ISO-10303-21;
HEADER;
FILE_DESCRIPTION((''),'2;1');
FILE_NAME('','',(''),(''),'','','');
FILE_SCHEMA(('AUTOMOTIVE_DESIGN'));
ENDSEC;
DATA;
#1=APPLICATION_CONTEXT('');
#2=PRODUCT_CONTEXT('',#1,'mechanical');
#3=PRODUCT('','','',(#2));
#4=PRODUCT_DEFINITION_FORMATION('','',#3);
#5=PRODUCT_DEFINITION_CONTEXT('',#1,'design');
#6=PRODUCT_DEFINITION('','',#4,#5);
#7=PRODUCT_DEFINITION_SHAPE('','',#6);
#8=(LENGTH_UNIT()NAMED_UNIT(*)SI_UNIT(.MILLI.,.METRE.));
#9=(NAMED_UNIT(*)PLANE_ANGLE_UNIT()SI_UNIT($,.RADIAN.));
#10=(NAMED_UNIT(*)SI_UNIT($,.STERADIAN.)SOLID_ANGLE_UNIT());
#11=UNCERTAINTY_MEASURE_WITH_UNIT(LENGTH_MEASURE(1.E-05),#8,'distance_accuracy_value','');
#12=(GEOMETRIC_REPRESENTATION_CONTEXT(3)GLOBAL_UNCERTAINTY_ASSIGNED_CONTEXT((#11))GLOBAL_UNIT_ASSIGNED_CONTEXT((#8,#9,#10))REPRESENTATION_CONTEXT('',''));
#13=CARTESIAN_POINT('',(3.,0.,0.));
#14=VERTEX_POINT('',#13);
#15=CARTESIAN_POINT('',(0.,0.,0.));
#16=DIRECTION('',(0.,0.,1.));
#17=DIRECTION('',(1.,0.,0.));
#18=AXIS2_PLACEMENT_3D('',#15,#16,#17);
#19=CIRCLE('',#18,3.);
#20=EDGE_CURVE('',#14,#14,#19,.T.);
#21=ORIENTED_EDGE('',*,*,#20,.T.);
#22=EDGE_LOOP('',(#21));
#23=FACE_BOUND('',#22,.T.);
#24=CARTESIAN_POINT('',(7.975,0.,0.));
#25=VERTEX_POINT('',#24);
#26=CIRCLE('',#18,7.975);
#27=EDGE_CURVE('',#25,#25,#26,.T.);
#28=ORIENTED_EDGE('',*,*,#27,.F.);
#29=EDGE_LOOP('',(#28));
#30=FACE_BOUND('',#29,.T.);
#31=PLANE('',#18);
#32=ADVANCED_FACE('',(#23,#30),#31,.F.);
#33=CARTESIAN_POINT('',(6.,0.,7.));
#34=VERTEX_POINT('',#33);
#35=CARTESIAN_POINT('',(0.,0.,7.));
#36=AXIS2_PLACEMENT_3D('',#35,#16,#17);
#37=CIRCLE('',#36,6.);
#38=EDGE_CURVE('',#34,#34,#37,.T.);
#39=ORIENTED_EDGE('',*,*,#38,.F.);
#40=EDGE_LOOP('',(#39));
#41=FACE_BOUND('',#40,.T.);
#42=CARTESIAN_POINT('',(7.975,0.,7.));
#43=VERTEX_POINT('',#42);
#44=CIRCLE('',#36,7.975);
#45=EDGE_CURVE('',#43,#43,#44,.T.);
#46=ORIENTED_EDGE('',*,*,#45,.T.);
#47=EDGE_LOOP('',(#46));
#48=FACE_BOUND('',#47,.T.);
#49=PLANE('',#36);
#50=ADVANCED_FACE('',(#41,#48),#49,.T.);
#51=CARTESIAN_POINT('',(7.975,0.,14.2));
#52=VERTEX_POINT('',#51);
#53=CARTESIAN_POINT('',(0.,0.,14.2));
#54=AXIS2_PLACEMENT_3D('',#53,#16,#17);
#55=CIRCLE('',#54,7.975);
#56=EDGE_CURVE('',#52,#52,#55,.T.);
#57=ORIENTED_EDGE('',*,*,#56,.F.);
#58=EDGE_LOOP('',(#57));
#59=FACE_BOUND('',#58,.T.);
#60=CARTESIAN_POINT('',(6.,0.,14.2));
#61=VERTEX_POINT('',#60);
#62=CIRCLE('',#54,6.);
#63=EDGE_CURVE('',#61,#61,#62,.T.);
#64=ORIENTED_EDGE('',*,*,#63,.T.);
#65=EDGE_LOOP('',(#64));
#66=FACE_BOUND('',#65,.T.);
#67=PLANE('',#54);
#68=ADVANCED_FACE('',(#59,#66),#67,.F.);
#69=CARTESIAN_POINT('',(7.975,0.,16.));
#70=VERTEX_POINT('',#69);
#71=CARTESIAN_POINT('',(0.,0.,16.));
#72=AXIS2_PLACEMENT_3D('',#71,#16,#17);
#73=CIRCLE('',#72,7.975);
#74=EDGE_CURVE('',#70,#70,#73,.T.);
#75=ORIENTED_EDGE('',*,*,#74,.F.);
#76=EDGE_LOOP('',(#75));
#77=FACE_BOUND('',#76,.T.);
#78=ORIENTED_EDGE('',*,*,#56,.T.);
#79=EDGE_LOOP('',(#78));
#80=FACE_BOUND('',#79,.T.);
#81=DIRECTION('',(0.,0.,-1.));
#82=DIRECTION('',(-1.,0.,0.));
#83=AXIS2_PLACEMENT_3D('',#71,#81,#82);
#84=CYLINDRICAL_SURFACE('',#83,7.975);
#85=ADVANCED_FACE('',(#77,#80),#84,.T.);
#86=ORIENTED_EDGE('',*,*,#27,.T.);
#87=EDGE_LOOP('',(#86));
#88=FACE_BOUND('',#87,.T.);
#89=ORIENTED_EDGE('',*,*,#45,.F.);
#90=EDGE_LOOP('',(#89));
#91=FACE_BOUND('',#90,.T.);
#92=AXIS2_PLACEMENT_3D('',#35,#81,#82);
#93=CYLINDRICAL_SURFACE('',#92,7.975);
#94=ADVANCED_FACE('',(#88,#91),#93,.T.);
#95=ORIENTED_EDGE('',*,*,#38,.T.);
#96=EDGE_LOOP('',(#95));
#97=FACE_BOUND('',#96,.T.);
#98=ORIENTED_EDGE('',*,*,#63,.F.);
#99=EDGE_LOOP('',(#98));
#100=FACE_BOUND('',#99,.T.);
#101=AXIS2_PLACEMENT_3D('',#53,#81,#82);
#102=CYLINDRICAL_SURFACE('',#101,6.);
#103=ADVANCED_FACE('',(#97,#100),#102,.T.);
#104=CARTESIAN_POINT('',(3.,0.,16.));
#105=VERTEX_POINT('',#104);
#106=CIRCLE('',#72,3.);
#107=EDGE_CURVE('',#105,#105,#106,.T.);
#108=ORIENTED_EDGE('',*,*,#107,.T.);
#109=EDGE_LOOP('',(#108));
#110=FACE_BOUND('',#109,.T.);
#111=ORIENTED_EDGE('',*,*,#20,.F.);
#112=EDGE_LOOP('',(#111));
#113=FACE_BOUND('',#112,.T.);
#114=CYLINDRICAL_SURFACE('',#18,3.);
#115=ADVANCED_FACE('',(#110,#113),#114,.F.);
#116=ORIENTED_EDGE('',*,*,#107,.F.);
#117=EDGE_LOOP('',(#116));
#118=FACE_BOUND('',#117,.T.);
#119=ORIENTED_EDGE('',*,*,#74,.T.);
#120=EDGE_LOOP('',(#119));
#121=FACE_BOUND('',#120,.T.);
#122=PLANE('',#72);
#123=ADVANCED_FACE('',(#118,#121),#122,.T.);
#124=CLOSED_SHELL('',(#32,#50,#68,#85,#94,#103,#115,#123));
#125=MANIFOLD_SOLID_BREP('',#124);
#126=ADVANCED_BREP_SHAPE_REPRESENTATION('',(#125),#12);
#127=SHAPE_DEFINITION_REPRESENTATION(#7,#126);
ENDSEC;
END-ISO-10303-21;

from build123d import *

# Parameters (mm, degrees)
SKETCH_1_R          = 7.975
EXTRUDE_1_DEPTH     = 7
SKETCH_2_R          = 6
EXTRUDE_2_DEPTH     = 7.2
SKETCH_3_R          = 7.975
EXTRUDE_3_DEPTH     = 1.8
SKETCH_4_R          = 3
CUT_EXTRUDE_1_DEPTH = 20.575526813


with BuildPart() as part:
    # 草图1 → 凸台-拉伸1 (new body)
    with BuildSketch(Plane.XY):
        Circle(SKETCH_1_R)
    extrude(amount=EXTRUDE_1_DEPTH)

    # 草图2 → 凸台-拉伸2 (add)
    with BuildSketch(Plane.XY.offset(7)):
        Circle(SKETCH_2_R)
    extrude(amount=EXTRUDE_2_DEPTH)

    # 草图3 → 凸台-拉伸3 (add)
    with BuildSketch(Plane.XY.offset(14.2)):
        Circle(SKETCH_3_R)
    extrude(amount=EXTRUDE_3_DEPTH)

    # 草图4 → 切除-拉伸1 (cut, through all)
    with BuildSketch(Plane.XY.offset(16)):
        Circle(SKETCH_4_R)
    extrude(amount=-CUT_EXTRUDE_1_DEPTH, mode=Mode.SUBTRACT)


solid = part.part
